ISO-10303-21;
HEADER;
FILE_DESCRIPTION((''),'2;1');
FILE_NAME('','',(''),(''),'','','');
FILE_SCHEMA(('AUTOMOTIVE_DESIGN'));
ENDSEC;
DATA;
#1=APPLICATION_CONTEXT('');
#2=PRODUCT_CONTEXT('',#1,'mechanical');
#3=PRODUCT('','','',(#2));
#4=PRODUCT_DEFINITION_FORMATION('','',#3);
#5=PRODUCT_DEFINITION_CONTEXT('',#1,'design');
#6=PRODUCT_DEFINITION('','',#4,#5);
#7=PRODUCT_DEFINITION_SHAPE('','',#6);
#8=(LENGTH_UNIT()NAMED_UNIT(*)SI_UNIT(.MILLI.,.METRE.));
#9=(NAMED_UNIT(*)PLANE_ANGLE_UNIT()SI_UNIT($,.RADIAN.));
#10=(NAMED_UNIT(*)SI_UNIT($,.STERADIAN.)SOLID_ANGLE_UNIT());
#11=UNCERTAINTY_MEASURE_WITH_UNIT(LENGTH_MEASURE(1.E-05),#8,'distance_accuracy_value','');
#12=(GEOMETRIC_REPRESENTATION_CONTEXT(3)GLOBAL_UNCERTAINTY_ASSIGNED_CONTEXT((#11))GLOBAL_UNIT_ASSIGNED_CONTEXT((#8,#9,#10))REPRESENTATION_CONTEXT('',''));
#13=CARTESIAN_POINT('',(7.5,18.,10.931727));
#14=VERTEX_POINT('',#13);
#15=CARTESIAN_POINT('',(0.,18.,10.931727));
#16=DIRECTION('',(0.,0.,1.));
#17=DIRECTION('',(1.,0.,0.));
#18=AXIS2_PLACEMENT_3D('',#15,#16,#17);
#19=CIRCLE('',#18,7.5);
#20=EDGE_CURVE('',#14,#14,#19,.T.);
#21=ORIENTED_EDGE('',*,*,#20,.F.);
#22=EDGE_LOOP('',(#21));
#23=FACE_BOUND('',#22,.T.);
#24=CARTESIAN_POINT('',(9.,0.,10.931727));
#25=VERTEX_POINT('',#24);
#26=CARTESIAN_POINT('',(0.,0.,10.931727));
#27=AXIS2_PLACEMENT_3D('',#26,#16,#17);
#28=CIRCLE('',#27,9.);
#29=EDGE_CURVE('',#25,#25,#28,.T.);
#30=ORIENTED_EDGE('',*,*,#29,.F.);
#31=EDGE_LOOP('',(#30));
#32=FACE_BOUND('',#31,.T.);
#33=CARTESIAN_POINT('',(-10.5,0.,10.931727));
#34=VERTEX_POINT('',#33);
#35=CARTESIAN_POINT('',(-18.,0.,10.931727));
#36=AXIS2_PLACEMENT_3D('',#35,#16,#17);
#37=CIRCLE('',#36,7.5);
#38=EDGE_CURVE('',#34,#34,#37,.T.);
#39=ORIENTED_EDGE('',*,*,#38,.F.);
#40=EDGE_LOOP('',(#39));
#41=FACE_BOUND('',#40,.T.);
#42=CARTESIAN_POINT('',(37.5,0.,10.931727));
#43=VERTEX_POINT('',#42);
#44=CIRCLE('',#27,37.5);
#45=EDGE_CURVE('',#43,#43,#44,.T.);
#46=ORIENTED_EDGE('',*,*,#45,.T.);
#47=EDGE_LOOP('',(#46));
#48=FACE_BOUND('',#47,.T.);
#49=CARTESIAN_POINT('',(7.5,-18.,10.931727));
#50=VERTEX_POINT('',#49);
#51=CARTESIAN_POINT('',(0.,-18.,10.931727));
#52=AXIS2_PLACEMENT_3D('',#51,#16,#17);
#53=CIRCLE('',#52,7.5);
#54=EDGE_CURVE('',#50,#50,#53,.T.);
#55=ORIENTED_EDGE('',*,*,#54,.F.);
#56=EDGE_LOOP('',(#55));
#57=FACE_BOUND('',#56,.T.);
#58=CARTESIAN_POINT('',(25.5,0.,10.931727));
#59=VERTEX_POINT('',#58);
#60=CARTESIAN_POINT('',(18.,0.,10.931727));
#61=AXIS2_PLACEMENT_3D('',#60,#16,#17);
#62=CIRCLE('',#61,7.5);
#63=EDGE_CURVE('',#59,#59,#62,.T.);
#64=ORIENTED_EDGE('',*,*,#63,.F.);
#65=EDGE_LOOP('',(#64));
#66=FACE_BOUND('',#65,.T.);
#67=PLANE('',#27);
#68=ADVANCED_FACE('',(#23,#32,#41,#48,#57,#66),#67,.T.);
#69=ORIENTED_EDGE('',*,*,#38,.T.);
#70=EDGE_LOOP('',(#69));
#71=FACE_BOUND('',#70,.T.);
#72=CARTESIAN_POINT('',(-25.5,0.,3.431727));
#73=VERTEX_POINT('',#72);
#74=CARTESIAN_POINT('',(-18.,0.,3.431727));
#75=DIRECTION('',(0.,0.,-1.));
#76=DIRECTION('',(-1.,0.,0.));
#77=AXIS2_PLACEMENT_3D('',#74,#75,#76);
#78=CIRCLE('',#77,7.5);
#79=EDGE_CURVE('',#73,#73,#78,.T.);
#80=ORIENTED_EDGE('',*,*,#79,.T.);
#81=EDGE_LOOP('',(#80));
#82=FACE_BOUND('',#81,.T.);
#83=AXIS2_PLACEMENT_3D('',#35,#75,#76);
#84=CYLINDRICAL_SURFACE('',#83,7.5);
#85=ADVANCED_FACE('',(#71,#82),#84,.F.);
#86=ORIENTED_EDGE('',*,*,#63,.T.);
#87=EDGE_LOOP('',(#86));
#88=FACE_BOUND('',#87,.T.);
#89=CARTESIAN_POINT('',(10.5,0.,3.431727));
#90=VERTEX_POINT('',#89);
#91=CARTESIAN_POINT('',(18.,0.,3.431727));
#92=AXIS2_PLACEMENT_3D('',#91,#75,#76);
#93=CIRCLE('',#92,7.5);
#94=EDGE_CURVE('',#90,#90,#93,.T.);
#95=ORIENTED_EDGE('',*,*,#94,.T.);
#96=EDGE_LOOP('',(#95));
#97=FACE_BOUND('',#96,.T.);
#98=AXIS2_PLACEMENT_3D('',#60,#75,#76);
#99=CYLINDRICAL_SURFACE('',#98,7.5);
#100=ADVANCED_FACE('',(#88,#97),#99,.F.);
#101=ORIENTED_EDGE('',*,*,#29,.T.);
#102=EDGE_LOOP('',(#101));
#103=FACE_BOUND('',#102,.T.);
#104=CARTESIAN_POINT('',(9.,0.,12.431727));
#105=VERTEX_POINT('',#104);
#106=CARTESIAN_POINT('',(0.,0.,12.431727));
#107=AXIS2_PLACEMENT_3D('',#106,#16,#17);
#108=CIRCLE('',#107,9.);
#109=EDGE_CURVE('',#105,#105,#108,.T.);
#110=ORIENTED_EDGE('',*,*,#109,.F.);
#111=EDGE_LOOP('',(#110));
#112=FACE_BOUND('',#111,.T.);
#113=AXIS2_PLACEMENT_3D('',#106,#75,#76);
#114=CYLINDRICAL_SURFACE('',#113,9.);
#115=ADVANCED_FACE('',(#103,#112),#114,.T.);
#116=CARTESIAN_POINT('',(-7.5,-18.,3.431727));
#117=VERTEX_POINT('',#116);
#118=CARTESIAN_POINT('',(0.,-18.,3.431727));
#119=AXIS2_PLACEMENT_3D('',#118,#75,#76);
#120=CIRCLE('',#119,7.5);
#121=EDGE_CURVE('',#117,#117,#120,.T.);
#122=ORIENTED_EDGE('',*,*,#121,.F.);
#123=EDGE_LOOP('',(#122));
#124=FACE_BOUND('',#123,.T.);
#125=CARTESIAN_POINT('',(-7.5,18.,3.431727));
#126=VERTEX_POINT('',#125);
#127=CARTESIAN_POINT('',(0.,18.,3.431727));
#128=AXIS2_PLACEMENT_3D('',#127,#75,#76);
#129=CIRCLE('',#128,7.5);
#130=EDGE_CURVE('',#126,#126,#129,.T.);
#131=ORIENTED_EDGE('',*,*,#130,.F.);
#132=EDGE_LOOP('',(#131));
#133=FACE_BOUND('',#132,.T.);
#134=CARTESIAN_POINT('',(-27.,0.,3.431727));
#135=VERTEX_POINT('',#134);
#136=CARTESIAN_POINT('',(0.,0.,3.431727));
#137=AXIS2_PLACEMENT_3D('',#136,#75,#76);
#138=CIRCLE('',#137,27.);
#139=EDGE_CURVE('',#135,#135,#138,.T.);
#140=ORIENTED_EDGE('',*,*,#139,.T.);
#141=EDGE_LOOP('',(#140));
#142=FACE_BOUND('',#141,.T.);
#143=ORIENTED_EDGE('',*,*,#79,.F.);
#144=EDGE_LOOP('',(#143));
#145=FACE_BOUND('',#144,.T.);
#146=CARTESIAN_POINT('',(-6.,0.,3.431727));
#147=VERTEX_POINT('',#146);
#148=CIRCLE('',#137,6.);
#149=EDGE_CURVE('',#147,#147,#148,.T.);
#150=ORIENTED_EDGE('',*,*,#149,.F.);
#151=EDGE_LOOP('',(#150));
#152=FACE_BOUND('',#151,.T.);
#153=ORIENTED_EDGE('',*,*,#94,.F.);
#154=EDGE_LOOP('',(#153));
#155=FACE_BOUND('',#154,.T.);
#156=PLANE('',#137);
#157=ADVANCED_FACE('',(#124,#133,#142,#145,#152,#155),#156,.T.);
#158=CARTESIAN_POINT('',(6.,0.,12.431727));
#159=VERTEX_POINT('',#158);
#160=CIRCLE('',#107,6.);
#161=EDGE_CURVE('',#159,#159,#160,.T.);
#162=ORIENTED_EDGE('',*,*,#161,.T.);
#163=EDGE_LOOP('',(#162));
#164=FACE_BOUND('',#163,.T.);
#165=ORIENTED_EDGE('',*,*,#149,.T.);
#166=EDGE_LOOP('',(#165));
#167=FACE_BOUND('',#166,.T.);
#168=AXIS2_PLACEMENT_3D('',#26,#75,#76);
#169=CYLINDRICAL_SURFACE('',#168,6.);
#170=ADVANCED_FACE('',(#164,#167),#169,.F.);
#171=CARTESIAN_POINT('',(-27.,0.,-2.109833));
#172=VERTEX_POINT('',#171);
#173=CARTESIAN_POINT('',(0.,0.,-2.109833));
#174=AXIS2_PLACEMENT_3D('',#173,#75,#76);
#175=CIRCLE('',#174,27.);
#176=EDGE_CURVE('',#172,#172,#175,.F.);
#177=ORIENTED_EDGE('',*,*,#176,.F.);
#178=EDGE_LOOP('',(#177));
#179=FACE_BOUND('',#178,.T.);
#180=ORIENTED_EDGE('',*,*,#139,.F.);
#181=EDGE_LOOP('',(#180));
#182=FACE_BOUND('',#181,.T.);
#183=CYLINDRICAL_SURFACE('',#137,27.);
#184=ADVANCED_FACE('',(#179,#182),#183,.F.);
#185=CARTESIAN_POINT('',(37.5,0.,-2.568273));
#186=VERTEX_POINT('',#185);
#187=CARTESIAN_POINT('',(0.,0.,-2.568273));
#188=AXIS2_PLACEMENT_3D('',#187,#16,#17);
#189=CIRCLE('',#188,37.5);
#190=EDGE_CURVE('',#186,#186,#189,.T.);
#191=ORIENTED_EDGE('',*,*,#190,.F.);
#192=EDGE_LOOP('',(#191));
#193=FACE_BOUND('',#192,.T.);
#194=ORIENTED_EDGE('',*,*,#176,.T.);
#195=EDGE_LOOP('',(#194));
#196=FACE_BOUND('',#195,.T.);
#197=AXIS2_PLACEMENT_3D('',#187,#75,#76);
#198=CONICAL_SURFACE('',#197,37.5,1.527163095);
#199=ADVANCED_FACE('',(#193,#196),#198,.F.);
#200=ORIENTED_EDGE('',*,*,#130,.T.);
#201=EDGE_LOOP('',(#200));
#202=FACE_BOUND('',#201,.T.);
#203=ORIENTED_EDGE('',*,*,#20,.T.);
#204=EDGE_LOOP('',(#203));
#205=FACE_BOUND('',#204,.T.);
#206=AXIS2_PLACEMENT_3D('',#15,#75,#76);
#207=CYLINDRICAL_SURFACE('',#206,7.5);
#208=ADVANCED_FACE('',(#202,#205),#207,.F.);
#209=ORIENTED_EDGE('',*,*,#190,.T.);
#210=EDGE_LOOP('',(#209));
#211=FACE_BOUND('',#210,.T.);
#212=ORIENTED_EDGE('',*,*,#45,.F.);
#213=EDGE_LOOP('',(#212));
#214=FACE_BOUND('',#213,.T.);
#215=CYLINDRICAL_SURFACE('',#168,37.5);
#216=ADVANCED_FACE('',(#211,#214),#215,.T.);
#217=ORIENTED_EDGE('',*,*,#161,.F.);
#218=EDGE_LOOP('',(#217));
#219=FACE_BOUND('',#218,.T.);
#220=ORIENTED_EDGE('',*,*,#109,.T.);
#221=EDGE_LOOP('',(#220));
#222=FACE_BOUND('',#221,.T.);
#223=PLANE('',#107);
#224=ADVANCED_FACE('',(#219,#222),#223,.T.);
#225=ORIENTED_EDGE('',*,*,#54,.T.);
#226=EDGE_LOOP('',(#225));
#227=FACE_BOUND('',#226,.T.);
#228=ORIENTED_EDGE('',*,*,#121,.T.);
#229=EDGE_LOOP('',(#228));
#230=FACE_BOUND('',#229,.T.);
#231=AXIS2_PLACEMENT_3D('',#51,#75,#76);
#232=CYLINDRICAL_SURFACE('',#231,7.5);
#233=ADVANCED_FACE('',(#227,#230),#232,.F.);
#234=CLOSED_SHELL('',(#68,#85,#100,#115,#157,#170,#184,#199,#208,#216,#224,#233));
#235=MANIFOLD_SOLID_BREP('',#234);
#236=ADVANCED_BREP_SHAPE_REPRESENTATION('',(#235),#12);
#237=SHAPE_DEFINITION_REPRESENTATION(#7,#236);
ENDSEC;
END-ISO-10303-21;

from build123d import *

# Parameters (mm, degrees)
SKETCH1_R           = 25
SKETCH1_R_2         = 5
SKETCH1_R_3         = 4
BOSS_EXTRUDE1_DEPTH = 9
SKETCH2_R           = 18
CUT_EXTRUDE1_DEPTH  = 4
SKETCH3_R           = 6
SKETCH3_R_2         = 4
BOSS_EXTRUDE2_DEPTH = 1
SCALE1_SCALE        = 1.5


with BuildPart() as part:
    # Sketch1 → Boss-Extrude1 (new body)
    with BuildSketch(Plane.XY):
        Circle(SKETCH1_R)
        with Locations((0, 12)):
            Circle(SKETCH1_R_2, mode=Mode.SUBTRACT)
        with Locations((12, 0)):
            Circle(SKETCH1_R_2, mode=Mode.SUBTRACT)
        with Locations((0, -12)):
            Circle(SKETCH1_R_2, mode=Mode.SUBTRACT)
        with Locations((-12, 0)):
            Circle(SKETCH1_R_2, mode=Mode.SUBTRACT)
        Circle(SKETCH1_R_3, mode=Mode.SUBTRACT)
    extrude(amount=BOSS_EXTRUDE1_DEPTH)

    # Sketch2 → Cut-Extrude1 (cut)
    with BuildSketch(Plane(origin=(0, 0, 0), x_dir=(-1, 0, 0), z_dir=(0, 0, -1))):
        Circle(SKETCH2_R)
    extrude(amount=-CUT_EXTRUDE1_DEPTH, mode=Mode.SUBTRACT)

    # Sketch3 → Boss-Extrude2 (add)
    with BuildSketch(Plane.XY.offset(9)):
        Circle(SKETCH3_R)
        with Locations(Location((0, 0, 0), (0, 0, 180))):
            Circle(SKETCH3_R_2, mode=Mode.SUBTRACT)
    extrude(amount=BOSS_EXTRUDE2_DEPTH)

    # Sketch4 → Cut-Revolve2 (revolve, cut)
    with BuildSketch(Plane(origin=(0, 0, 0), x_dir=(1, 0, 0), z_dir=(0, 1, 0))):
        Polygon((-25, 0), (0, -1.091523573), (0, 0), align=None)
    revolve(axis=Axis((0, 0, 1.091523573), (0, 0, -1)), mode=Mode.SUBTRACT)


with BuildPart() as part_1:
    # Scale1: scaled about (0, 0, 5.136545389)
    add(part.part.scale(SCALE1_SCALE).moved(Location((0, 0, -2.568272695))))


solid = part_1.part
